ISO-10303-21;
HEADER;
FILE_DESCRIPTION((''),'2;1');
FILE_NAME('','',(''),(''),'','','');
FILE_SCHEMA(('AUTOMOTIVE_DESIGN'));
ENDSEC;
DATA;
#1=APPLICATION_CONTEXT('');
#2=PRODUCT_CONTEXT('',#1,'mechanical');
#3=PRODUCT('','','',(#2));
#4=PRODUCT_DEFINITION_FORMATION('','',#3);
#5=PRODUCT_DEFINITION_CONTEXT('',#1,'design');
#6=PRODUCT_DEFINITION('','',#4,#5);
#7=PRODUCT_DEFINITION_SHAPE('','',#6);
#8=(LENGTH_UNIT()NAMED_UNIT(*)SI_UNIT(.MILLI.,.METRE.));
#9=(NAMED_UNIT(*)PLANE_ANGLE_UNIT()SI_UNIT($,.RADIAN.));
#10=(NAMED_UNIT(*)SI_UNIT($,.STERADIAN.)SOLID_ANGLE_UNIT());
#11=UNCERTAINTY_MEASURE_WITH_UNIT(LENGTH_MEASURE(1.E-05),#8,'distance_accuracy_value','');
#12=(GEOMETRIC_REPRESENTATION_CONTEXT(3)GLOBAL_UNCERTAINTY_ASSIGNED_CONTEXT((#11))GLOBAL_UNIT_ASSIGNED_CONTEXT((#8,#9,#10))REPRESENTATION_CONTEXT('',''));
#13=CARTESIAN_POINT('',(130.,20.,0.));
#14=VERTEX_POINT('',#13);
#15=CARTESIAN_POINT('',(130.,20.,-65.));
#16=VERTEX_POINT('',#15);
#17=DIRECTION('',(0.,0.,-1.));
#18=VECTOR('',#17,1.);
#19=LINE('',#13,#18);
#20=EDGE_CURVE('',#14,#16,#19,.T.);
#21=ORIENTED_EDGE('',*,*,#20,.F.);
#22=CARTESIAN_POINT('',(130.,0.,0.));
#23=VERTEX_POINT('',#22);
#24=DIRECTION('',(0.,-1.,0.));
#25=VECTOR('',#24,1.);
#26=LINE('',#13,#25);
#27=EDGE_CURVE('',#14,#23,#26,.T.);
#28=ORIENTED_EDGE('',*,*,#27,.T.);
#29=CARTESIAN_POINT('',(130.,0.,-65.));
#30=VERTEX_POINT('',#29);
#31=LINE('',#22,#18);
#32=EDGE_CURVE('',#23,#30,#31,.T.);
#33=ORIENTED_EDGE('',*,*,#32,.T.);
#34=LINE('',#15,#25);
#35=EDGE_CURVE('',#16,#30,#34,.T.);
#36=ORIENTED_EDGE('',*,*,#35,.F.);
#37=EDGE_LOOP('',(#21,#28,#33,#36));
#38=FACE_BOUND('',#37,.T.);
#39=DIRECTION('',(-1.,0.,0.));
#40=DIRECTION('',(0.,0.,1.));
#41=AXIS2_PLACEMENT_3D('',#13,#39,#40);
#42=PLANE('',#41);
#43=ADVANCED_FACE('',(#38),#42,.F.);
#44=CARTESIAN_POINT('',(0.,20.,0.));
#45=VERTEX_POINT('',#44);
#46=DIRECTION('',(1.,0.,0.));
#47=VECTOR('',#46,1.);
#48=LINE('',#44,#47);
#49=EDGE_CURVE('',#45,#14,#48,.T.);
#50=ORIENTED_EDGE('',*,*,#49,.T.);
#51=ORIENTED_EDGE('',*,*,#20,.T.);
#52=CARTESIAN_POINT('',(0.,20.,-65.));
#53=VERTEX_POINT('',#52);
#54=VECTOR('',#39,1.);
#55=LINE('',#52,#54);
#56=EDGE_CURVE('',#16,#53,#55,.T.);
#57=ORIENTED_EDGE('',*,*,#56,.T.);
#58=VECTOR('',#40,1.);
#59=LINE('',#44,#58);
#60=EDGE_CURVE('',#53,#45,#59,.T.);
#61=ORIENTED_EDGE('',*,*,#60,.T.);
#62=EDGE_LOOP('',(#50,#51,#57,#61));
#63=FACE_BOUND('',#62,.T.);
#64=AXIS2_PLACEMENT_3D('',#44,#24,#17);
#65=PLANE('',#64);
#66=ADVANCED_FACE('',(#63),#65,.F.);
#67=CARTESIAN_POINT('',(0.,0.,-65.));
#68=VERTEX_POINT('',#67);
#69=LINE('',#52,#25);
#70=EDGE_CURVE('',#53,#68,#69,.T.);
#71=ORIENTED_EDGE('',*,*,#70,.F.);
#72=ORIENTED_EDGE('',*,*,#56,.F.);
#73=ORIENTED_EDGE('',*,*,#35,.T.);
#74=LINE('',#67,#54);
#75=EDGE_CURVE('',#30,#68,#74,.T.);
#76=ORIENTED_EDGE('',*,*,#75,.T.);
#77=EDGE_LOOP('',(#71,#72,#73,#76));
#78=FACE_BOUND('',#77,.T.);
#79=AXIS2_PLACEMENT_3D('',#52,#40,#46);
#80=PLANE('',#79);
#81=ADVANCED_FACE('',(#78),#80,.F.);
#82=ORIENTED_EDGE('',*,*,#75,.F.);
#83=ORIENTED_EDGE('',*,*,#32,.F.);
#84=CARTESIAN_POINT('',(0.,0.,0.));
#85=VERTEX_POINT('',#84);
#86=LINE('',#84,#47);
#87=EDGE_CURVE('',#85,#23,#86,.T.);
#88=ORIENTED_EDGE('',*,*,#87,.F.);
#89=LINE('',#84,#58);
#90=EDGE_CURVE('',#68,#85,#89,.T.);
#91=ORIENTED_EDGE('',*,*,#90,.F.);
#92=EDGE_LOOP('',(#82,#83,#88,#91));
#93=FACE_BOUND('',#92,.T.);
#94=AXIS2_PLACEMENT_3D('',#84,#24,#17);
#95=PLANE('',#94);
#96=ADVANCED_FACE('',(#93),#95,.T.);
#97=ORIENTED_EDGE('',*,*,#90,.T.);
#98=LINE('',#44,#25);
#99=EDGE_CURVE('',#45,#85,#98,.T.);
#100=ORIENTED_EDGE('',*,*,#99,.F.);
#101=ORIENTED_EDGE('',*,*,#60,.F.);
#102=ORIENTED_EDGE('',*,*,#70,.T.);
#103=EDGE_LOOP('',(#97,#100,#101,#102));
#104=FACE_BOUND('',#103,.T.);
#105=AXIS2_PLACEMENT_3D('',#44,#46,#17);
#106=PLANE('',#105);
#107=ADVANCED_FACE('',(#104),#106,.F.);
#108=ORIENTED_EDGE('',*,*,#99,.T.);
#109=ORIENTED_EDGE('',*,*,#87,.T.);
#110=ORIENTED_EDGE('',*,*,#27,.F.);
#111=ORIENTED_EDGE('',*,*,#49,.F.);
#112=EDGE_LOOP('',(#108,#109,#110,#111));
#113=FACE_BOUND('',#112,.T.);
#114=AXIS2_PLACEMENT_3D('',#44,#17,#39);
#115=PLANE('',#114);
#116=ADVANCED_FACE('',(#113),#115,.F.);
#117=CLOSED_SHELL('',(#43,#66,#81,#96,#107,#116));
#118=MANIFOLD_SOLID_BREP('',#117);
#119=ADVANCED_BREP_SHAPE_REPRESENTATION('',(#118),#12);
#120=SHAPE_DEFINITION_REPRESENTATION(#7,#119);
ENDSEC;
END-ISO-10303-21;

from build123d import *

# Parameters (mm, degrees)
SKETCH1_W           = 130
SKETCH1_H           = 65
BOSS_EXTRUDE1_DEPTH = 20


with BuildPart() as part:
    # Sketch1 → Boss-Extrude1 (new body)
    with BuildSketch(Plane(origin=(0, 0, 0), x_dir=(1, 0, 0), z_dir=(0, 1, 0))):
        with Locations((65, 32.5)):
            Rectangle(SKETCH1_W, SKETCH1_H)
    extrude(amount=BOSS_EXTRUDE1_DEPTH)


solid = part.part
